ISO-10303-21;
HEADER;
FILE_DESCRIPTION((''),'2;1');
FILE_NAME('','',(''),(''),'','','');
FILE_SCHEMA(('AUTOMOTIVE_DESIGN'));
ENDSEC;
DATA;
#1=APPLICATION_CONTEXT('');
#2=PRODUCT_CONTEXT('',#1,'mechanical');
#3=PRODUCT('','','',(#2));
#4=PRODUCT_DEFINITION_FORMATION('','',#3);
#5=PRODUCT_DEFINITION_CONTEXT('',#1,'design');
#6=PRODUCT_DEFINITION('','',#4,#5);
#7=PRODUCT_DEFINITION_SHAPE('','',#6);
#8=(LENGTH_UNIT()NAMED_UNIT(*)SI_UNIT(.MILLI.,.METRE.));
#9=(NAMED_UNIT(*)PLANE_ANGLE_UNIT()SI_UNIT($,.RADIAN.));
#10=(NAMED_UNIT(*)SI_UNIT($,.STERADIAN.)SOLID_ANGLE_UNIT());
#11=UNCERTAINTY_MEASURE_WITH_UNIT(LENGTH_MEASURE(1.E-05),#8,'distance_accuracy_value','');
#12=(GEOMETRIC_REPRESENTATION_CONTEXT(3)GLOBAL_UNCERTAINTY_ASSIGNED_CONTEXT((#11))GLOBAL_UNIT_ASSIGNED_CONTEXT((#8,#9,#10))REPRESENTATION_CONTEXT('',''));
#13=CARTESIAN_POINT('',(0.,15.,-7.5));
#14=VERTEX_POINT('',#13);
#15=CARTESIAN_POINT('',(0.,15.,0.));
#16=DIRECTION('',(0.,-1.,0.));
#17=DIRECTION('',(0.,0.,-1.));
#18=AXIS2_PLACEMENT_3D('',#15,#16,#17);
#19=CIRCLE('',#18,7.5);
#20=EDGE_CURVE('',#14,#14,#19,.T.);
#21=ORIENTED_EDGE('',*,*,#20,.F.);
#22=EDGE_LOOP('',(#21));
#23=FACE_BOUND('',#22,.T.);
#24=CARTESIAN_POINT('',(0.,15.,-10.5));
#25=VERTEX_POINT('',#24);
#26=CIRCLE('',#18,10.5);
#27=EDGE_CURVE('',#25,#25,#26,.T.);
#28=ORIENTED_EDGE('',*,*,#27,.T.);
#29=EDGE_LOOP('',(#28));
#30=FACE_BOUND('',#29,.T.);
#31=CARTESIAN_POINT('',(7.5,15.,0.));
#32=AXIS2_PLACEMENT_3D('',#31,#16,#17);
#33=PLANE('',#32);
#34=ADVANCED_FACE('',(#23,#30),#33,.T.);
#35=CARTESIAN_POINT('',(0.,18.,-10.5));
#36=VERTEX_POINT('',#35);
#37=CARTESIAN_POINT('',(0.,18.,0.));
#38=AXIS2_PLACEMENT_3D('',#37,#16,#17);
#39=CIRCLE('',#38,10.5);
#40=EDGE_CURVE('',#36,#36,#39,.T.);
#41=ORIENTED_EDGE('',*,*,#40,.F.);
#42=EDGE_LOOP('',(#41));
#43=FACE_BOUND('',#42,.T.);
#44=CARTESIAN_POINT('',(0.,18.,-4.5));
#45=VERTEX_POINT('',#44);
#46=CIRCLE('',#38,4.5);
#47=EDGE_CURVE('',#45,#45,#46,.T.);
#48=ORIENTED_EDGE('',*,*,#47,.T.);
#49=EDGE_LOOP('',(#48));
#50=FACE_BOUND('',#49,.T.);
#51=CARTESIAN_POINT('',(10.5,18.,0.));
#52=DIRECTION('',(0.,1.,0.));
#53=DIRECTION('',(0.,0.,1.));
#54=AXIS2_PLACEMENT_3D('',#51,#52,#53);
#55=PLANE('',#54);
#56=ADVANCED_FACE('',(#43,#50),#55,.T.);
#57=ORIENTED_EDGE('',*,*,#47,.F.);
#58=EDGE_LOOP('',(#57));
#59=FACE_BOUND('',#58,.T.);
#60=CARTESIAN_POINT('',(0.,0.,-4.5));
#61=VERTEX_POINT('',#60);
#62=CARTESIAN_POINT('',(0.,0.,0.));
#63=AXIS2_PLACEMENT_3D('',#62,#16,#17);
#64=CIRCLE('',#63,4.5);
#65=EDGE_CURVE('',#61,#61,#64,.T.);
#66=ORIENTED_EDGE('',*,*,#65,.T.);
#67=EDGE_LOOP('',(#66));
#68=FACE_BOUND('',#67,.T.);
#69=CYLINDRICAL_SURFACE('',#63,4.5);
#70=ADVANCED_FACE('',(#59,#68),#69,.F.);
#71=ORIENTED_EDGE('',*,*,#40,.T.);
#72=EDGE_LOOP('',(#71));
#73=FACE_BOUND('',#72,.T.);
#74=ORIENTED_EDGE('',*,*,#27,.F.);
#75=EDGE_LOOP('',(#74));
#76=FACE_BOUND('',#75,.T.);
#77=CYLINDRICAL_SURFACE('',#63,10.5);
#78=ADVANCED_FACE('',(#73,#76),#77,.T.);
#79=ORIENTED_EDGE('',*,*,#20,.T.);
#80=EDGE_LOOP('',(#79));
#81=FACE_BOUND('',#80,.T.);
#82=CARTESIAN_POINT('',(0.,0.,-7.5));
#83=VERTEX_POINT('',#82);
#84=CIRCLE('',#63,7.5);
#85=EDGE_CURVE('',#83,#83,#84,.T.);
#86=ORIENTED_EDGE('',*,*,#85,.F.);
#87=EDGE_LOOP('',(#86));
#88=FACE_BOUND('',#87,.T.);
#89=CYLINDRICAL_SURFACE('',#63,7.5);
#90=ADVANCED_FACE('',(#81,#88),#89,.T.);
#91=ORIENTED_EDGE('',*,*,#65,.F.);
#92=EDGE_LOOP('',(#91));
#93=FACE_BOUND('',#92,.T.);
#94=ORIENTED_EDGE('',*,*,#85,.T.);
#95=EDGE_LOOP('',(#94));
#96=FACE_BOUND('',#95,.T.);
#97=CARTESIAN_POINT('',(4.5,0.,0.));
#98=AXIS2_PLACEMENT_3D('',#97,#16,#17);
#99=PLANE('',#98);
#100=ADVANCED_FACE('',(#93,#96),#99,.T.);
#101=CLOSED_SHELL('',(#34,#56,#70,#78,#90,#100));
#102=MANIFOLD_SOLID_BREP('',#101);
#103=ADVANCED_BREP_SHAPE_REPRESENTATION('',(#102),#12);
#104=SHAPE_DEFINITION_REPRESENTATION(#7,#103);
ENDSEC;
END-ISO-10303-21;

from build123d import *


with BuildPart() as part:
    # Sketch1 → Revolve1 (revolve)
    with BuildSketch(Plane.XY, mode=Mode.PRIVATE) as revolve1_sk:
        Polygon((4.5, 0), (7.5, 0), (7.5, 15), (10.5, 15), (10.5, 18), (4.5, 18), align=None)
    revolve(revolve1_sk.sketch.rotate(Axis((0, 0, 0), (0, 1, 0)), 90), axis=Axis((0, 0, 0), (0, 1, 0)))


solid = part.part
